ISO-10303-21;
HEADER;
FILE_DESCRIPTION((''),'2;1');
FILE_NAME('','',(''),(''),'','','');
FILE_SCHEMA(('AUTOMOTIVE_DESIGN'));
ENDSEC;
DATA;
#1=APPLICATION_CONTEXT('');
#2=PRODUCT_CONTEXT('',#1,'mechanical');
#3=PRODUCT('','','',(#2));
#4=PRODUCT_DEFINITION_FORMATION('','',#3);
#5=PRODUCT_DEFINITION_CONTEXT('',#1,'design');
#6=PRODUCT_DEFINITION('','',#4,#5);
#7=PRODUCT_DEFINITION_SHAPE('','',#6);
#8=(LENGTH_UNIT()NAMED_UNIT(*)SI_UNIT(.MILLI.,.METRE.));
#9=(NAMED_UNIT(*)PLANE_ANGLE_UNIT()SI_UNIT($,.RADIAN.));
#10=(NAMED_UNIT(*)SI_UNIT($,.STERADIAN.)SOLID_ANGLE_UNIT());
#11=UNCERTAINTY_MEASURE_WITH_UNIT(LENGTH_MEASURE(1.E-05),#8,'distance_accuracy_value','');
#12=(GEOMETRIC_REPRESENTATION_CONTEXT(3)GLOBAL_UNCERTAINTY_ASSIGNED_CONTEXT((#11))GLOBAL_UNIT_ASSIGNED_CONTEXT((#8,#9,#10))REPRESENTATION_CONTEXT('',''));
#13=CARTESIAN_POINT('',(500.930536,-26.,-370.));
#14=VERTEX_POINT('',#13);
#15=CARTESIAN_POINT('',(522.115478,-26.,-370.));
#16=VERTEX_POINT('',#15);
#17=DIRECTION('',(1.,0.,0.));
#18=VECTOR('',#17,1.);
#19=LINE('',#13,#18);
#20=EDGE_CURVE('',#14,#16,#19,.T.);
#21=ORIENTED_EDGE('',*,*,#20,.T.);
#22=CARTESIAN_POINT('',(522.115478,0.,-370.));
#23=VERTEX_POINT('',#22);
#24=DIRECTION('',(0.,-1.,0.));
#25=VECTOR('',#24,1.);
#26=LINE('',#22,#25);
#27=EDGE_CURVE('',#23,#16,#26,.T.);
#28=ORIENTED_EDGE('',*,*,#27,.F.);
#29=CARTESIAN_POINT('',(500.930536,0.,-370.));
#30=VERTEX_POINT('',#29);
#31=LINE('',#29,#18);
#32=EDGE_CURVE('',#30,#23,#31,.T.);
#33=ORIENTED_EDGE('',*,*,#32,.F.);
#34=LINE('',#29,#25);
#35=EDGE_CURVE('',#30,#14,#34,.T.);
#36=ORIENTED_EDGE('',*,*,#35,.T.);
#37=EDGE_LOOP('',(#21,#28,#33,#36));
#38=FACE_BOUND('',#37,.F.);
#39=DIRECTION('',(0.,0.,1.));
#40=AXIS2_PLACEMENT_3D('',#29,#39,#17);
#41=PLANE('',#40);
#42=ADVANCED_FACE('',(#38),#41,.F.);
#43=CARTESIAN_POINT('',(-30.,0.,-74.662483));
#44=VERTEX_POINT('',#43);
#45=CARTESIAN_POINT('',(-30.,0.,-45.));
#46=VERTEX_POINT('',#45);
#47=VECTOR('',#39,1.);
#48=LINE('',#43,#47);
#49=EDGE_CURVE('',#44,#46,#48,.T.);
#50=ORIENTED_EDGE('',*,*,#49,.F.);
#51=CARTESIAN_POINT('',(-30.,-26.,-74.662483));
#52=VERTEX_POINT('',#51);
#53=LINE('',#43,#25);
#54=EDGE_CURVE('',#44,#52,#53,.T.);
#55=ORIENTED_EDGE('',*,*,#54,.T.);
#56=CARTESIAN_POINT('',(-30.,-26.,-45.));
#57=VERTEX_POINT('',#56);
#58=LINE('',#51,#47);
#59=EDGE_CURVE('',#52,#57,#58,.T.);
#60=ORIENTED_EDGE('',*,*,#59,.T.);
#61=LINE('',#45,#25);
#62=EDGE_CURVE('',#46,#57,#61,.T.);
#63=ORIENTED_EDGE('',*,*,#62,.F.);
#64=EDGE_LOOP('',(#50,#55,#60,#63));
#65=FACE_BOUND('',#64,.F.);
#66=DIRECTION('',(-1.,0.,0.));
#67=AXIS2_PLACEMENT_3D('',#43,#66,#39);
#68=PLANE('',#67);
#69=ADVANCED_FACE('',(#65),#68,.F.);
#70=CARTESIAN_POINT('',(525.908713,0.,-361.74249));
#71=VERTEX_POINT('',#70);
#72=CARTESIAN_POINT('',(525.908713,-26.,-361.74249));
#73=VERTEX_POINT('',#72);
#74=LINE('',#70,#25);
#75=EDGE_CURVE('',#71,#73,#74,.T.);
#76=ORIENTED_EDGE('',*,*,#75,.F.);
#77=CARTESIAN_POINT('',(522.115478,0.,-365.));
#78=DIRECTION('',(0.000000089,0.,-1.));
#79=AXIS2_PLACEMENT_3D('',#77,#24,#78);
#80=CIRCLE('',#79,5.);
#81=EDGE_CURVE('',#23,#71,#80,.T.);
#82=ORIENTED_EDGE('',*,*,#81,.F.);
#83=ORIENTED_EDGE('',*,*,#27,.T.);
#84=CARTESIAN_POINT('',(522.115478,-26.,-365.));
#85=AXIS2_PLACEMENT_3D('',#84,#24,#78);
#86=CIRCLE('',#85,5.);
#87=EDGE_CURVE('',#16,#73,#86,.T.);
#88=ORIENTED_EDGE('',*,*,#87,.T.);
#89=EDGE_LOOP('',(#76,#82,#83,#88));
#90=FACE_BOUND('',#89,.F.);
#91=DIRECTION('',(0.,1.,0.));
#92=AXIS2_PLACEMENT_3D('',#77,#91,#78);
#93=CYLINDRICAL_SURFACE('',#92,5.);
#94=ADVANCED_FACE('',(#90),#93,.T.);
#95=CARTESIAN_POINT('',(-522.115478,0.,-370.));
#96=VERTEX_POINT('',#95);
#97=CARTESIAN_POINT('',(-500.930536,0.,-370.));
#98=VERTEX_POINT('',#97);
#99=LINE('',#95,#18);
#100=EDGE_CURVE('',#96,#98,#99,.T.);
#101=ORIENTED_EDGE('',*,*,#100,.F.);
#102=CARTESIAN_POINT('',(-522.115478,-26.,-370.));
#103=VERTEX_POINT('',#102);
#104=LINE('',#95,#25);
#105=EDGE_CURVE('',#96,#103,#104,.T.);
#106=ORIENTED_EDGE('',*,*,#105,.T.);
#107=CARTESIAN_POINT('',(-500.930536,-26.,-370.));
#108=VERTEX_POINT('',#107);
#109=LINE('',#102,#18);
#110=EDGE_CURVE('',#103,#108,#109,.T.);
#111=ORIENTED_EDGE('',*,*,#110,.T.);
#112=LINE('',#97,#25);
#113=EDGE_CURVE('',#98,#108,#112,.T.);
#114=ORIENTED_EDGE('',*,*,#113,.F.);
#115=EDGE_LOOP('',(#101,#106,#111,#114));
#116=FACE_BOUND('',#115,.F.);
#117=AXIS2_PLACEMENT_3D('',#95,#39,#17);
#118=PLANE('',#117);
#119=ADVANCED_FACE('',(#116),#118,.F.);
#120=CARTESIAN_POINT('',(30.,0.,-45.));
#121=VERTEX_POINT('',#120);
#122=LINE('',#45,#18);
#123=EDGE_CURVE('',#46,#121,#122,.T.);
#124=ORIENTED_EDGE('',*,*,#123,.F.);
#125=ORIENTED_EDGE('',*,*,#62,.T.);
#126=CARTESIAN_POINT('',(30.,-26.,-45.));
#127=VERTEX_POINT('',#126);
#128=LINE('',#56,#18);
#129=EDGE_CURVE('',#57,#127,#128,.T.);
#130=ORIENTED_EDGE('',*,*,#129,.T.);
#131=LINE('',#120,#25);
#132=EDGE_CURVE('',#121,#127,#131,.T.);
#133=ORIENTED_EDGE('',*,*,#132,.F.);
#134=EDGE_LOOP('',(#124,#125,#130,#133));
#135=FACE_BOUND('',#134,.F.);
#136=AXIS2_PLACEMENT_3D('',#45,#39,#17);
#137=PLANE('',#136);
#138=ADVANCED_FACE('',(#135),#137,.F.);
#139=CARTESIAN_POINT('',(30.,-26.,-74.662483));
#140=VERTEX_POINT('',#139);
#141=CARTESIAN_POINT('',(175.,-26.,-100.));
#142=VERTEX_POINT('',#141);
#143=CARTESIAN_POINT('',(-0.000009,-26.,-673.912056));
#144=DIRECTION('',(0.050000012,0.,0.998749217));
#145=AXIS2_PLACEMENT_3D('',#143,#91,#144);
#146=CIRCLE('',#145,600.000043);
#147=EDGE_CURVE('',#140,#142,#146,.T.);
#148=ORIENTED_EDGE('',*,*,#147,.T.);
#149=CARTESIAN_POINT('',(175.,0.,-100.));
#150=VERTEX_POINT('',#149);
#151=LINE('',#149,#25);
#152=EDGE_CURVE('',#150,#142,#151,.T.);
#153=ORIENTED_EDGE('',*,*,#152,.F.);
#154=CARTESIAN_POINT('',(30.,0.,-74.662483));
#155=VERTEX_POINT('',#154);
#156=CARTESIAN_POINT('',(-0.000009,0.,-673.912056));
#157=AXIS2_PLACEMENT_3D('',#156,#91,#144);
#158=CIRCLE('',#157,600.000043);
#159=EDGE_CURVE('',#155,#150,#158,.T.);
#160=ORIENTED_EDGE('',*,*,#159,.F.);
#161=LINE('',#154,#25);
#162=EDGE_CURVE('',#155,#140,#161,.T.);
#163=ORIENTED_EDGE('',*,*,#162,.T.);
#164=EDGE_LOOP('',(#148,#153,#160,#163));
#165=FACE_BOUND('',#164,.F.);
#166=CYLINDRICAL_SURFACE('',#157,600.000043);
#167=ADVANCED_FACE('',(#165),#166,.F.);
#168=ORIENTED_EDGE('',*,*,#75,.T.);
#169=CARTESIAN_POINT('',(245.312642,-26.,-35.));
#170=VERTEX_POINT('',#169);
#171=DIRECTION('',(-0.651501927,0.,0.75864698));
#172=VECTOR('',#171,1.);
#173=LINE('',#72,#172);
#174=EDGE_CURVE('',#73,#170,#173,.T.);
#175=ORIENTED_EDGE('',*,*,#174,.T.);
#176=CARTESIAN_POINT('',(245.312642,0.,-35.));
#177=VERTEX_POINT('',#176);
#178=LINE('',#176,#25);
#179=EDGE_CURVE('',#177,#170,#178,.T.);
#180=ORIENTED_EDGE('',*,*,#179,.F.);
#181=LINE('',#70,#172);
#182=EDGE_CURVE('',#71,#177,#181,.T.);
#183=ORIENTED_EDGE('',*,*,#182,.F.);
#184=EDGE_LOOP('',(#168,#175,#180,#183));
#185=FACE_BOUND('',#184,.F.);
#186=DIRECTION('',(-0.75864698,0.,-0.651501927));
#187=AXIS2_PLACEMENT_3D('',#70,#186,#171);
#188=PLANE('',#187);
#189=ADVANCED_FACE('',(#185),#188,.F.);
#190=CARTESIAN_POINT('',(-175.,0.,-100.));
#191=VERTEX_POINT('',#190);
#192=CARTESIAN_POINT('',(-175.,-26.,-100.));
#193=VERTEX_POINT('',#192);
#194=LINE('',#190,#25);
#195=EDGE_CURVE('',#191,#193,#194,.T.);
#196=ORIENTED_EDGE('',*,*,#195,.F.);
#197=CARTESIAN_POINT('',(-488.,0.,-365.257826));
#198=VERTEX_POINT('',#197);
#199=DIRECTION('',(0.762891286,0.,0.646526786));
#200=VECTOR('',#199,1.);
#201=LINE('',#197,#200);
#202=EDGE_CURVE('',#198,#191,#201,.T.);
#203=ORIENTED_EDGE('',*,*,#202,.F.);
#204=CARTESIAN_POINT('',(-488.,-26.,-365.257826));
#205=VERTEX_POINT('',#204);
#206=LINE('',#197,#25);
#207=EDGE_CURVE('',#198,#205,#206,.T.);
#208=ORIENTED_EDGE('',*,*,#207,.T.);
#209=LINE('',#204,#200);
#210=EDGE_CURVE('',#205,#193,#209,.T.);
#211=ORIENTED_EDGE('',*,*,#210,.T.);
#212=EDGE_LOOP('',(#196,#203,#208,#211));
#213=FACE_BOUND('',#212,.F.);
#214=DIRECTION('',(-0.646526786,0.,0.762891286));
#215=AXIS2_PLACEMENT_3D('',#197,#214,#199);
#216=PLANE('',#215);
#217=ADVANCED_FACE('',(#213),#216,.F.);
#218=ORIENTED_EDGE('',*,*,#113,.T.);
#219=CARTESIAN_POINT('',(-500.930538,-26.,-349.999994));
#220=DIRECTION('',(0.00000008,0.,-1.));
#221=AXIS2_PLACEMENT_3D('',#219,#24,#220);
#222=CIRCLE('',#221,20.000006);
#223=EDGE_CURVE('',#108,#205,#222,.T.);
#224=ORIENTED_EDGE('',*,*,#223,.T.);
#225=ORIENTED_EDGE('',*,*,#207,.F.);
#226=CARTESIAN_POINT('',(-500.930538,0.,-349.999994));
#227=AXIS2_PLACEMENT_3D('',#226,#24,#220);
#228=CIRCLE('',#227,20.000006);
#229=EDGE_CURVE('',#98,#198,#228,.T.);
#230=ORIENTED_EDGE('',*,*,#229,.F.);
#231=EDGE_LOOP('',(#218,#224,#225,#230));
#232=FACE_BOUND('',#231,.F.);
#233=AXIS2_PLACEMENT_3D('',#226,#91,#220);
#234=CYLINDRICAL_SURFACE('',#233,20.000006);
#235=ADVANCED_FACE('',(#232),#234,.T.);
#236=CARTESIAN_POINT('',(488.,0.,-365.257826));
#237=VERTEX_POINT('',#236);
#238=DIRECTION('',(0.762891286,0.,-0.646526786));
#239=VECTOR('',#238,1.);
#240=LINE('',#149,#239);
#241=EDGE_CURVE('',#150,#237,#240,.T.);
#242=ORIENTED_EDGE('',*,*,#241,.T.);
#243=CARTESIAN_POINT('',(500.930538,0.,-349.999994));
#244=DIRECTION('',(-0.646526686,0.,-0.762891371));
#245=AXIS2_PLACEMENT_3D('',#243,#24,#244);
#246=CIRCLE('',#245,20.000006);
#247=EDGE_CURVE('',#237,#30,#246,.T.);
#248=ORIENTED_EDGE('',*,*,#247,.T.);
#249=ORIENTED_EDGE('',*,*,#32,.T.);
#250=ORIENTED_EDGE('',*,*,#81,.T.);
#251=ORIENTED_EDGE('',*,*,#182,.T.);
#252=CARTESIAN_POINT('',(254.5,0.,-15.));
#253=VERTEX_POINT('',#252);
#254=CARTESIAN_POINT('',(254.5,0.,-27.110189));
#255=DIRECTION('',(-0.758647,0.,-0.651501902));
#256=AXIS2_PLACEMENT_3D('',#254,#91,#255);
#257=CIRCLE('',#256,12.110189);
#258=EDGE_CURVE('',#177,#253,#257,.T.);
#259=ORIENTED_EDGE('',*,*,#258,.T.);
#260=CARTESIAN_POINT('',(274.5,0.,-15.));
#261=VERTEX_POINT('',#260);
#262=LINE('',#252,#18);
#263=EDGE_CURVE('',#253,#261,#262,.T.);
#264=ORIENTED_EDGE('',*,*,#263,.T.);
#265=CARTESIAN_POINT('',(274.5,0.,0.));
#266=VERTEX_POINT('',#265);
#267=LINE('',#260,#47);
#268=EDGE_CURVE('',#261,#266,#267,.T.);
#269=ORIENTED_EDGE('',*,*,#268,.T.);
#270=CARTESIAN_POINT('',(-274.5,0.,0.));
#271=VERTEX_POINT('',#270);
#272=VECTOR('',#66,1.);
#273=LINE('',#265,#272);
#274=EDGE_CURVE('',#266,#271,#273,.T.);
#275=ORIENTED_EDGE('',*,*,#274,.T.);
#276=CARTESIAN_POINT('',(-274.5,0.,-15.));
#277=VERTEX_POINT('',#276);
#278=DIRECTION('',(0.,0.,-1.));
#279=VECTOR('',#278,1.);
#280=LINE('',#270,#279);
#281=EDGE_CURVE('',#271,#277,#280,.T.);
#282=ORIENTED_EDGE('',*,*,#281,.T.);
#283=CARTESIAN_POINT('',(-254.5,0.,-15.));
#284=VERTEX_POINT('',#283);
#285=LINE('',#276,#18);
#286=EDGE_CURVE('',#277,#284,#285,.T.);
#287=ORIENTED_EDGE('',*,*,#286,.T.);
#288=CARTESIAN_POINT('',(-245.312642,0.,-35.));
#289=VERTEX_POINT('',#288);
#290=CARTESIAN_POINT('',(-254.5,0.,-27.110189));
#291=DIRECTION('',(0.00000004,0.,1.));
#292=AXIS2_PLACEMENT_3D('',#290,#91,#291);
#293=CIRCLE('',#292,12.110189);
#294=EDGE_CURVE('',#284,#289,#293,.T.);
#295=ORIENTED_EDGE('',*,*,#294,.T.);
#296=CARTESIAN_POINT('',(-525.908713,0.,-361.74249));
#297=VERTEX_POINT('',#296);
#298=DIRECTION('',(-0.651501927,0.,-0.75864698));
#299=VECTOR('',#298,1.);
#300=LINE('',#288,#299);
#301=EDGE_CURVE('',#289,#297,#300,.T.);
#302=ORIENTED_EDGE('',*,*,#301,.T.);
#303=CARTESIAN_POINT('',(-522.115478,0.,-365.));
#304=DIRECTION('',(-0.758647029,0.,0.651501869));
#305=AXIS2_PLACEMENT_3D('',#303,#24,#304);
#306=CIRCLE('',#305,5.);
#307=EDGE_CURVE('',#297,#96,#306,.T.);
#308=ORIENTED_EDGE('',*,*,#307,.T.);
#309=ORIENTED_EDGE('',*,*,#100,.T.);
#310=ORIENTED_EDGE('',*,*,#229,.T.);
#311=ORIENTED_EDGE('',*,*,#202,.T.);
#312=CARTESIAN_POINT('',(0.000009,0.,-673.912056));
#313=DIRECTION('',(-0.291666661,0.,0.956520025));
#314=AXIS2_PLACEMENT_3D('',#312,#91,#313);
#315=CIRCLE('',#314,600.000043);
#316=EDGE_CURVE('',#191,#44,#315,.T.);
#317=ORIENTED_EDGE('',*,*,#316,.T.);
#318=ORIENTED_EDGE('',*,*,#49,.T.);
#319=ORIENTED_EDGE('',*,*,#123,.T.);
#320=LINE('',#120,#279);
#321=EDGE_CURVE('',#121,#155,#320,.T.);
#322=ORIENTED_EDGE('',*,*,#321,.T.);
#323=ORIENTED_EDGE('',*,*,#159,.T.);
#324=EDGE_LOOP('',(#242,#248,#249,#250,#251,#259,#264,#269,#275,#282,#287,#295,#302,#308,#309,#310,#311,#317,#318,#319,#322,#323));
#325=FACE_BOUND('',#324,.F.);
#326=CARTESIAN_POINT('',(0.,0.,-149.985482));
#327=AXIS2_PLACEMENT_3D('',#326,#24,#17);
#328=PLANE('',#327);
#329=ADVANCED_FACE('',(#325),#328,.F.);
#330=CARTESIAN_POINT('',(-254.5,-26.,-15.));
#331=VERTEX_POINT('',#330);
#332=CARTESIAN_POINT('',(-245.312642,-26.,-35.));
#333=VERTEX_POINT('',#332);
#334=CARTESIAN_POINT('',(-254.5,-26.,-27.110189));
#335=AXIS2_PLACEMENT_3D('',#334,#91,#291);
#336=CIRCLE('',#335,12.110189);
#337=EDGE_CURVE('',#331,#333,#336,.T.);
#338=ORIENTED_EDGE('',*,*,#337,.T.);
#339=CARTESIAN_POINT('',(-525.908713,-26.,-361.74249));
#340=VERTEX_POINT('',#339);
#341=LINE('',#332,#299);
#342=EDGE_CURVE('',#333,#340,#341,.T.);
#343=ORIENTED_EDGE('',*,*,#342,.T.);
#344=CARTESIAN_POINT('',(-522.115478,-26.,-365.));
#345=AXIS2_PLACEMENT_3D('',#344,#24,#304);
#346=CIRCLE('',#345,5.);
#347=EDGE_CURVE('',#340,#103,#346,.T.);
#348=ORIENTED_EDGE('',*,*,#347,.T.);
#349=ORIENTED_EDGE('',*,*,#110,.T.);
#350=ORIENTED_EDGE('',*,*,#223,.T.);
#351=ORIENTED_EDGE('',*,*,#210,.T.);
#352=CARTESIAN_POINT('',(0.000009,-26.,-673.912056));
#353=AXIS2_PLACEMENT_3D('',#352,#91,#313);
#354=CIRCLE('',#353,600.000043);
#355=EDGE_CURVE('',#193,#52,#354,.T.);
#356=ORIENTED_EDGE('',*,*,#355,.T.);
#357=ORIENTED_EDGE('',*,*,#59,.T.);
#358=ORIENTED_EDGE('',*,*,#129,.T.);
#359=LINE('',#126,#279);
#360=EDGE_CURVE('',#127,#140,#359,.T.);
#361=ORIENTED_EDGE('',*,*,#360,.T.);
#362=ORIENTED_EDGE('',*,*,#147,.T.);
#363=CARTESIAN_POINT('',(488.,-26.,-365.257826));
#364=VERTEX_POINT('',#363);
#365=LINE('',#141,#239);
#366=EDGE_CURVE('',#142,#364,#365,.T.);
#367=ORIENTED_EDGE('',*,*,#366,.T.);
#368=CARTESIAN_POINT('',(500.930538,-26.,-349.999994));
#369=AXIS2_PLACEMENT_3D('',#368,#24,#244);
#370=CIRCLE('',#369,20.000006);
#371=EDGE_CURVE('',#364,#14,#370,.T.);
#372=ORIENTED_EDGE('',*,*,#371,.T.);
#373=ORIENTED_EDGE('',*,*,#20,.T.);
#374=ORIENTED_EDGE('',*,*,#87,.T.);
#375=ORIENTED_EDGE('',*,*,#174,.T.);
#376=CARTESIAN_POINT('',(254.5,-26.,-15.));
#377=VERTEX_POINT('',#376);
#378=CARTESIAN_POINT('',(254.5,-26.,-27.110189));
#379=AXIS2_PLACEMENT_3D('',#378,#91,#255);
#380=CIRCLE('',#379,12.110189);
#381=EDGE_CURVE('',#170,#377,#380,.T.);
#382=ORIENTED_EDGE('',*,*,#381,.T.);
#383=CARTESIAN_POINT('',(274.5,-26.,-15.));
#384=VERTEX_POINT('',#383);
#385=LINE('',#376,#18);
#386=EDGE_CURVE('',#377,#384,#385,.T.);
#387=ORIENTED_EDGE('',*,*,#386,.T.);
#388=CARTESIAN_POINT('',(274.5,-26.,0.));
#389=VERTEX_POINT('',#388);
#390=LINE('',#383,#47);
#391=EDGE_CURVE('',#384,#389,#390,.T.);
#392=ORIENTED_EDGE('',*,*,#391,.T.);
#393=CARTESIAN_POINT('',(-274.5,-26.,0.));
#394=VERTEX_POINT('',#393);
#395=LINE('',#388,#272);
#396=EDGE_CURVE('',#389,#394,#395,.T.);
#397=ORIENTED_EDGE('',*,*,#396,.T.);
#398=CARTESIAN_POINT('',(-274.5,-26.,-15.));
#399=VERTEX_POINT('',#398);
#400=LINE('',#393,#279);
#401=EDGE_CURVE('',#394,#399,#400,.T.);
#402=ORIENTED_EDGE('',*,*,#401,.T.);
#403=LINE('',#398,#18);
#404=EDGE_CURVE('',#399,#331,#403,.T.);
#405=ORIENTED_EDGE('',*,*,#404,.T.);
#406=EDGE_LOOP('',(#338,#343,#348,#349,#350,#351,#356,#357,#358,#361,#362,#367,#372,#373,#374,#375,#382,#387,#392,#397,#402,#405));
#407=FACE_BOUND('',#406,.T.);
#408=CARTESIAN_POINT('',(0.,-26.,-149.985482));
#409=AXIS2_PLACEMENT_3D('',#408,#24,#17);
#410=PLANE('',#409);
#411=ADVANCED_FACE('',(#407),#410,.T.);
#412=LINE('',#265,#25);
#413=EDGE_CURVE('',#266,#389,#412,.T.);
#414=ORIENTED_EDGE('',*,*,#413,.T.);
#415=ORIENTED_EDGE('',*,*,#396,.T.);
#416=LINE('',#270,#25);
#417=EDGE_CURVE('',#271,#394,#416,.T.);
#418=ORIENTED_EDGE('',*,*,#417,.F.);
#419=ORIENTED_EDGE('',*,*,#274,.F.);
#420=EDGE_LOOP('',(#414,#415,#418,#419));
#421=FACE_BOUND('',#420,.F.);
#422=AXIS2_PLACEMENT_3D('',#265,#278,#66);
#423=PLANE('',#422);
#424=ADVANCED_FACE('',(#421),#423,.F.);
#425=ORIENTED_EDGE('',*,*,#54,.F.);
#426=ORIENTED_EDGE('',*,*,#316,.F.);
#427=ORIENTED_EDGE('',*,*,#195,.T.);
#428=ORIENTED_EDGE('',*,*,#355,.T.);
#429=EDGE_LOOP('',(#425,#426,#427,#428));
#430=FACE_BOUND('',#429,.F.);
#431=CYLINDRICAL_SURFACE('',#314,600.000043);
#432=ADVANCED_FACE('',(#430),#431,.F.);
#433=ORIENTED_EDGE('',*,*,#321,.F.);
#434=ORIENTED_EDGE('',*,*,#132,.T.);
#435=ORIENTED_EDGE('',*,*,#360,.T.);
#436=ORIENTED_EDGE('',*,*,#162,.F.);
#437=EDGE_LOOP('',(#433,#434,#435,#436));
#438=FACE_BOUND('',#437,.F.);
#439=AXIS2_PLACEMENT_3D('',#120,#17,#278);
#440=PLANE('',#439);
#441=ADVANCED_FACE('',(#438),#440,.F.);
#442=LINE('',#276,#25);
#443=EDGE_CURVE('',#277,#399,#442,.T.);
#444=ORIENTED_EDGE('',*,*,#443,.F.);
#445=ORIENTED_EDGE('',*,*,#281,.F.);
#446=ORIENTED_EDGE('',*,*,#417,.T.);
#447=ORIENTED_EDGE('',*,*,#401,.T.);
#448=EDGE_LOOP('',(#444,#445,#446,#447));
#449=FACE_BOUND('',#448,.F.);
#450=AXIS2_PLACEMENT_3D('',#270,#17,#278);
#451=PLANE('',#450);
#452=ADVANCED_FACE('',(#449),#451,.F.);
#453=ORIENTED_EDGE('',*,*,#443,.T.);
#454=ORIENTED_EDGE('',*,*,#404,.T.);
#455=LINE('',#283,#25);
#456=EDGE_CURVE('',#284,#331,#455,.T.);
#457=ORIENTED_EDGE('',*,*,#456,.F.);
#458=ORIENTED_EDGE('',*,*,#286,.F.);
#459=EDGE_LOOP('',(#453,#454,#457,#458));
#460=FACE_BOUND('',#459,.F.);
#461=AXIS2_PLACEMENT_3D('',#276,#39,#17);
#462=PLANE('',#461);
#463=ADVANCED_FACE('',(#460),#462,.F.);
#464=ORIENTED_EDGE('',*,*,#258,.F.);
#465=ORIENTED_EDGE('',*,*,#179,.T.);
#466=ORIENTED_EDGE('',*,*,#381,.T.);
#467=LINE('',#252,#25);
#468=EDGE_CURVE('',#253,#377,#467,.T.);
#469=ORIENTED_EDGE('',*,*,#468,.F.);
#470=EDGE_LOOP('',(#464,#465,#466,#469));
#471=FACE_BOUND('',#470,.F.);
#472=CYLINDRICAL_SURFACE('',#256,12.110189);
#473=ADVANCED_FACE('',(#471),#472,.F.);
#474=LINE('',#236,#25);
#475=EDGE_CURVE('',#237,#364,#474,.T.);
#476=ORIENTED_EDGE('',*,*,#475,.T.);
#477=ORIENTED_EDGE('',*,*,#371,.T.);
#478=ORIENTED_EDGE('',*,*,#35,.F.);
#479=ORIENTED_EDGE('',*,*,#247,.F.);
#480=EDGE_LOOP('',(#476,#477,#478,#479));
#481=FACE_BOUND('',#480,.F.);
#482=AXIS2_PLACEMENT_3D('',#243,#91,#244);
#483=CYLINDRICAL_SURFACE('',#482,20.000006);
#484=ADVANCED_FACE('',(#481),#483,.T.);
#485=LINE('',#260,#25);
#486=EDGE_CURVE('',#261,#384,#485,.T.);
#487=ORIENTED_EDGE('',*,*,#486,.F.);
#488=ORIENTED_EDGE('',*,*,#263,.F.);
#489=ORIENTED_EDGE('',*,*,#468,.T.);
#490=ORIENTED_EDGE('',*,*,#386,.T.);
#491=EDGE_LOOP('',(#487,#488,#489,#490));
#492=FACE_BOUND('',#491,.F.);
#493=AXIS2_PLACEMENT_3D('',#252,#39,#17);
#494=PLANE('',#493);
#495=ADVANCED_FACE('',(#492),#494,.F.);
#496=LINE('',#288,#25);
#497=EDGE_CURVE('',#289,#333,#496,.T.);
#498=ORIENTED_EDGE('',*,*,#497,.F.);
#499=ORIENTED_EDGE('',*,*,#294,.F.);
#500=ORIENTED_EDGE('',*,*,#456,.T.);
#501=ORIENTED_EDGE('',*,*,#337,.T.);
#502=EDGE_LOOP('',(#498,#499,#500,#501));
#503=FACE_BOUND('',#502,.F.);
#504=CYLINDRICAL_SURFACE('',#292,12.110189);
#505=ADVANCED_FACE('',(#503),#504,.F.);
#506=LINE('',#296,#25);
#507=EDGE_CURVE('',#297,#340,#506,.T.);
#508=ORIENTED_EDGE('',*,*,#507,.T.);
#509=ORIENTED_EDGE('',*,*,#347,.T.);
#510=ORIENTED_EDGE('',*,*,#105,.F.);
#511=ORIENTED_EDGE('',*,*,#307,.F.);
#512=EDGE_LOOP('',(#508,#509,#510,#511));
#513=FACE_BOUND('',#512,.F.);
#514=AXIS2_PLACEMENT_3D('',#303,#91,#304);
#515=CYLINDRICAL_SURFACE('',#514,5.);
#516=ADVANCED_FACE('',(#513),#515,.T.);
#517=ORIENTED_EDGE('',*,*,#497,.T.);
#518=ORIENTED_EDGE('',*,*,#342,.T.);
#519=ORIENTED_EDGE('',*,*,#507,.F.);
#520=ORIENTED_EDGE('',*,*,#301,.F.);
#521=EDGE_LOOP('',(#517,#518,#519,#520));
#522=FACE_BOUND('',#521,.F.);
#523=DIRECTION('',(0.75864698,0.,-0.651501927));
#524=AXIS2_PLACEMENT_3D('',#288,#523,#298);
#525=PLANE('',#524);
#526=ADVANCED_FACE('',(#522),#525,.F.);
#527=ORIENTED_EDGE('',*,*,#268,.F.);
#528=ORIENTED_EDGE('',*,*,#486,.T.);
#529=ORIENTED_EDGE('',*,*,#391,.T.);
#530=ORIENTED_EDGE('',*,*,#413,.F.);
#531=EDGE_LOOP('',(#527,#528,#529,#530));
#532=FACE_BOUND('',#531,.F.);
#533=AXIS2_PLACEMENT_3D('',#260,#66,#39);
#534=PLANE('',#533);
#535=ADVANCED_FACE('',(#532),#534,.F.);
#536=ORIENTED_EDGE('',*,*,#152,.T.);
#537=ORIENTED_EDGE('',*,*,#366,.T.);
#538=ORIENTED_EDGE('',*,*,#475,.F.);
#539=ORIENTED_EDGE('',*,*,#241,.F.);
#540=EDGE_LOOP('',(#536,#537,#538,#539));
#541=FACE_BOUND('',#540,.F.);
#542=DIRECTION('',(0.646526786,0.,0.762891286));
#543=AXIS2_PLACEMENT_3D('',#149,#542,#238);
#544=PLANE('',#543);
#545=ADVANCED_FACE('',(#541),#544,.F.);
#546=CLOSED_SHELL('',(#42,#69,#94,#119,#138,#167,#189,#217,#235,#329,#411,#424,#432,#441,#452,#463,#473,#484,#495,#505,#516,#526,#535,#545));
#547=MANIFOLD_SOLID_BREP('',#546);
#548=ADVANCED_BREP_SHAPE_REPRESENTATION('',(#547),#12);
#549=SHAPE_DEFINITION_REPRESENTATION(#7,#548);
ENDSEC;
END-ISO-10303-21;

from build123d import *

# Parameters (mm, degrees)
F1_DEPTH = 26


with BuildPart() as f1:
    # F0 (on Front) → F1 (new body)
    with BuildSketch(Plane.XZ):
        with BuildLine():
            ThreePointArc((522.115478, -370), (526.65902, -367.087157), (525.908713, -361.74249))
            Line((525.908713, -361.74249), (245.312642, -35))
            ThreePointArc((245.312642, -35), (243.49537, -22.055015), (254.5, -15))
            Line((254.5, -15), (274.5, -15))
            Line((274.5, -15), (274.5, 0))
            Line((274.5, 0), (-274.5, 0))
            Line((-274.5, 0), (-274.5, -15))
            Line((-274.5, -15), (-254.5, -15))
            ThreePointArc((-254.5, -15), (-243.49537, -22.055015), (-245.312642, -35))
            Line((-245.312642, -35), (-525.908713, -361.74249))
            ThreePointArc((-525.908713, -361.74249), (-526.65902, -367.087157), (-522.115478, -370))
            Line((-522.115478, -370), (-500.930536, -370))
            ThreePointArc((-500.930536, -370), (-494.044191, -368.777067), (-488, -365.257826))
            Line((-488, -365.257826), (-175, -100))
            ThreePointArc((-175, -100), (-103.279947, -82.867809), (-30, -74.662483))
            Line((-30, -74.662483), (-30, -45))
            Line((-30, -45), (30, -45))
            Line((30, -45), (30, -74.662483))
            ThreePointArc((30, -74.662483), (103.279947, -82.867809), (175, -100))
            Line((175, -100), (488, -365.257826))
            ThreePointArc((488, -365.257826), (494.044191, -368.777067), (500.930536, -370))
            Line((500.930536, -370), (522.115478, -370))
        make_face()
    extrude(amount=F1_DEPTH)


solid = f1.part
